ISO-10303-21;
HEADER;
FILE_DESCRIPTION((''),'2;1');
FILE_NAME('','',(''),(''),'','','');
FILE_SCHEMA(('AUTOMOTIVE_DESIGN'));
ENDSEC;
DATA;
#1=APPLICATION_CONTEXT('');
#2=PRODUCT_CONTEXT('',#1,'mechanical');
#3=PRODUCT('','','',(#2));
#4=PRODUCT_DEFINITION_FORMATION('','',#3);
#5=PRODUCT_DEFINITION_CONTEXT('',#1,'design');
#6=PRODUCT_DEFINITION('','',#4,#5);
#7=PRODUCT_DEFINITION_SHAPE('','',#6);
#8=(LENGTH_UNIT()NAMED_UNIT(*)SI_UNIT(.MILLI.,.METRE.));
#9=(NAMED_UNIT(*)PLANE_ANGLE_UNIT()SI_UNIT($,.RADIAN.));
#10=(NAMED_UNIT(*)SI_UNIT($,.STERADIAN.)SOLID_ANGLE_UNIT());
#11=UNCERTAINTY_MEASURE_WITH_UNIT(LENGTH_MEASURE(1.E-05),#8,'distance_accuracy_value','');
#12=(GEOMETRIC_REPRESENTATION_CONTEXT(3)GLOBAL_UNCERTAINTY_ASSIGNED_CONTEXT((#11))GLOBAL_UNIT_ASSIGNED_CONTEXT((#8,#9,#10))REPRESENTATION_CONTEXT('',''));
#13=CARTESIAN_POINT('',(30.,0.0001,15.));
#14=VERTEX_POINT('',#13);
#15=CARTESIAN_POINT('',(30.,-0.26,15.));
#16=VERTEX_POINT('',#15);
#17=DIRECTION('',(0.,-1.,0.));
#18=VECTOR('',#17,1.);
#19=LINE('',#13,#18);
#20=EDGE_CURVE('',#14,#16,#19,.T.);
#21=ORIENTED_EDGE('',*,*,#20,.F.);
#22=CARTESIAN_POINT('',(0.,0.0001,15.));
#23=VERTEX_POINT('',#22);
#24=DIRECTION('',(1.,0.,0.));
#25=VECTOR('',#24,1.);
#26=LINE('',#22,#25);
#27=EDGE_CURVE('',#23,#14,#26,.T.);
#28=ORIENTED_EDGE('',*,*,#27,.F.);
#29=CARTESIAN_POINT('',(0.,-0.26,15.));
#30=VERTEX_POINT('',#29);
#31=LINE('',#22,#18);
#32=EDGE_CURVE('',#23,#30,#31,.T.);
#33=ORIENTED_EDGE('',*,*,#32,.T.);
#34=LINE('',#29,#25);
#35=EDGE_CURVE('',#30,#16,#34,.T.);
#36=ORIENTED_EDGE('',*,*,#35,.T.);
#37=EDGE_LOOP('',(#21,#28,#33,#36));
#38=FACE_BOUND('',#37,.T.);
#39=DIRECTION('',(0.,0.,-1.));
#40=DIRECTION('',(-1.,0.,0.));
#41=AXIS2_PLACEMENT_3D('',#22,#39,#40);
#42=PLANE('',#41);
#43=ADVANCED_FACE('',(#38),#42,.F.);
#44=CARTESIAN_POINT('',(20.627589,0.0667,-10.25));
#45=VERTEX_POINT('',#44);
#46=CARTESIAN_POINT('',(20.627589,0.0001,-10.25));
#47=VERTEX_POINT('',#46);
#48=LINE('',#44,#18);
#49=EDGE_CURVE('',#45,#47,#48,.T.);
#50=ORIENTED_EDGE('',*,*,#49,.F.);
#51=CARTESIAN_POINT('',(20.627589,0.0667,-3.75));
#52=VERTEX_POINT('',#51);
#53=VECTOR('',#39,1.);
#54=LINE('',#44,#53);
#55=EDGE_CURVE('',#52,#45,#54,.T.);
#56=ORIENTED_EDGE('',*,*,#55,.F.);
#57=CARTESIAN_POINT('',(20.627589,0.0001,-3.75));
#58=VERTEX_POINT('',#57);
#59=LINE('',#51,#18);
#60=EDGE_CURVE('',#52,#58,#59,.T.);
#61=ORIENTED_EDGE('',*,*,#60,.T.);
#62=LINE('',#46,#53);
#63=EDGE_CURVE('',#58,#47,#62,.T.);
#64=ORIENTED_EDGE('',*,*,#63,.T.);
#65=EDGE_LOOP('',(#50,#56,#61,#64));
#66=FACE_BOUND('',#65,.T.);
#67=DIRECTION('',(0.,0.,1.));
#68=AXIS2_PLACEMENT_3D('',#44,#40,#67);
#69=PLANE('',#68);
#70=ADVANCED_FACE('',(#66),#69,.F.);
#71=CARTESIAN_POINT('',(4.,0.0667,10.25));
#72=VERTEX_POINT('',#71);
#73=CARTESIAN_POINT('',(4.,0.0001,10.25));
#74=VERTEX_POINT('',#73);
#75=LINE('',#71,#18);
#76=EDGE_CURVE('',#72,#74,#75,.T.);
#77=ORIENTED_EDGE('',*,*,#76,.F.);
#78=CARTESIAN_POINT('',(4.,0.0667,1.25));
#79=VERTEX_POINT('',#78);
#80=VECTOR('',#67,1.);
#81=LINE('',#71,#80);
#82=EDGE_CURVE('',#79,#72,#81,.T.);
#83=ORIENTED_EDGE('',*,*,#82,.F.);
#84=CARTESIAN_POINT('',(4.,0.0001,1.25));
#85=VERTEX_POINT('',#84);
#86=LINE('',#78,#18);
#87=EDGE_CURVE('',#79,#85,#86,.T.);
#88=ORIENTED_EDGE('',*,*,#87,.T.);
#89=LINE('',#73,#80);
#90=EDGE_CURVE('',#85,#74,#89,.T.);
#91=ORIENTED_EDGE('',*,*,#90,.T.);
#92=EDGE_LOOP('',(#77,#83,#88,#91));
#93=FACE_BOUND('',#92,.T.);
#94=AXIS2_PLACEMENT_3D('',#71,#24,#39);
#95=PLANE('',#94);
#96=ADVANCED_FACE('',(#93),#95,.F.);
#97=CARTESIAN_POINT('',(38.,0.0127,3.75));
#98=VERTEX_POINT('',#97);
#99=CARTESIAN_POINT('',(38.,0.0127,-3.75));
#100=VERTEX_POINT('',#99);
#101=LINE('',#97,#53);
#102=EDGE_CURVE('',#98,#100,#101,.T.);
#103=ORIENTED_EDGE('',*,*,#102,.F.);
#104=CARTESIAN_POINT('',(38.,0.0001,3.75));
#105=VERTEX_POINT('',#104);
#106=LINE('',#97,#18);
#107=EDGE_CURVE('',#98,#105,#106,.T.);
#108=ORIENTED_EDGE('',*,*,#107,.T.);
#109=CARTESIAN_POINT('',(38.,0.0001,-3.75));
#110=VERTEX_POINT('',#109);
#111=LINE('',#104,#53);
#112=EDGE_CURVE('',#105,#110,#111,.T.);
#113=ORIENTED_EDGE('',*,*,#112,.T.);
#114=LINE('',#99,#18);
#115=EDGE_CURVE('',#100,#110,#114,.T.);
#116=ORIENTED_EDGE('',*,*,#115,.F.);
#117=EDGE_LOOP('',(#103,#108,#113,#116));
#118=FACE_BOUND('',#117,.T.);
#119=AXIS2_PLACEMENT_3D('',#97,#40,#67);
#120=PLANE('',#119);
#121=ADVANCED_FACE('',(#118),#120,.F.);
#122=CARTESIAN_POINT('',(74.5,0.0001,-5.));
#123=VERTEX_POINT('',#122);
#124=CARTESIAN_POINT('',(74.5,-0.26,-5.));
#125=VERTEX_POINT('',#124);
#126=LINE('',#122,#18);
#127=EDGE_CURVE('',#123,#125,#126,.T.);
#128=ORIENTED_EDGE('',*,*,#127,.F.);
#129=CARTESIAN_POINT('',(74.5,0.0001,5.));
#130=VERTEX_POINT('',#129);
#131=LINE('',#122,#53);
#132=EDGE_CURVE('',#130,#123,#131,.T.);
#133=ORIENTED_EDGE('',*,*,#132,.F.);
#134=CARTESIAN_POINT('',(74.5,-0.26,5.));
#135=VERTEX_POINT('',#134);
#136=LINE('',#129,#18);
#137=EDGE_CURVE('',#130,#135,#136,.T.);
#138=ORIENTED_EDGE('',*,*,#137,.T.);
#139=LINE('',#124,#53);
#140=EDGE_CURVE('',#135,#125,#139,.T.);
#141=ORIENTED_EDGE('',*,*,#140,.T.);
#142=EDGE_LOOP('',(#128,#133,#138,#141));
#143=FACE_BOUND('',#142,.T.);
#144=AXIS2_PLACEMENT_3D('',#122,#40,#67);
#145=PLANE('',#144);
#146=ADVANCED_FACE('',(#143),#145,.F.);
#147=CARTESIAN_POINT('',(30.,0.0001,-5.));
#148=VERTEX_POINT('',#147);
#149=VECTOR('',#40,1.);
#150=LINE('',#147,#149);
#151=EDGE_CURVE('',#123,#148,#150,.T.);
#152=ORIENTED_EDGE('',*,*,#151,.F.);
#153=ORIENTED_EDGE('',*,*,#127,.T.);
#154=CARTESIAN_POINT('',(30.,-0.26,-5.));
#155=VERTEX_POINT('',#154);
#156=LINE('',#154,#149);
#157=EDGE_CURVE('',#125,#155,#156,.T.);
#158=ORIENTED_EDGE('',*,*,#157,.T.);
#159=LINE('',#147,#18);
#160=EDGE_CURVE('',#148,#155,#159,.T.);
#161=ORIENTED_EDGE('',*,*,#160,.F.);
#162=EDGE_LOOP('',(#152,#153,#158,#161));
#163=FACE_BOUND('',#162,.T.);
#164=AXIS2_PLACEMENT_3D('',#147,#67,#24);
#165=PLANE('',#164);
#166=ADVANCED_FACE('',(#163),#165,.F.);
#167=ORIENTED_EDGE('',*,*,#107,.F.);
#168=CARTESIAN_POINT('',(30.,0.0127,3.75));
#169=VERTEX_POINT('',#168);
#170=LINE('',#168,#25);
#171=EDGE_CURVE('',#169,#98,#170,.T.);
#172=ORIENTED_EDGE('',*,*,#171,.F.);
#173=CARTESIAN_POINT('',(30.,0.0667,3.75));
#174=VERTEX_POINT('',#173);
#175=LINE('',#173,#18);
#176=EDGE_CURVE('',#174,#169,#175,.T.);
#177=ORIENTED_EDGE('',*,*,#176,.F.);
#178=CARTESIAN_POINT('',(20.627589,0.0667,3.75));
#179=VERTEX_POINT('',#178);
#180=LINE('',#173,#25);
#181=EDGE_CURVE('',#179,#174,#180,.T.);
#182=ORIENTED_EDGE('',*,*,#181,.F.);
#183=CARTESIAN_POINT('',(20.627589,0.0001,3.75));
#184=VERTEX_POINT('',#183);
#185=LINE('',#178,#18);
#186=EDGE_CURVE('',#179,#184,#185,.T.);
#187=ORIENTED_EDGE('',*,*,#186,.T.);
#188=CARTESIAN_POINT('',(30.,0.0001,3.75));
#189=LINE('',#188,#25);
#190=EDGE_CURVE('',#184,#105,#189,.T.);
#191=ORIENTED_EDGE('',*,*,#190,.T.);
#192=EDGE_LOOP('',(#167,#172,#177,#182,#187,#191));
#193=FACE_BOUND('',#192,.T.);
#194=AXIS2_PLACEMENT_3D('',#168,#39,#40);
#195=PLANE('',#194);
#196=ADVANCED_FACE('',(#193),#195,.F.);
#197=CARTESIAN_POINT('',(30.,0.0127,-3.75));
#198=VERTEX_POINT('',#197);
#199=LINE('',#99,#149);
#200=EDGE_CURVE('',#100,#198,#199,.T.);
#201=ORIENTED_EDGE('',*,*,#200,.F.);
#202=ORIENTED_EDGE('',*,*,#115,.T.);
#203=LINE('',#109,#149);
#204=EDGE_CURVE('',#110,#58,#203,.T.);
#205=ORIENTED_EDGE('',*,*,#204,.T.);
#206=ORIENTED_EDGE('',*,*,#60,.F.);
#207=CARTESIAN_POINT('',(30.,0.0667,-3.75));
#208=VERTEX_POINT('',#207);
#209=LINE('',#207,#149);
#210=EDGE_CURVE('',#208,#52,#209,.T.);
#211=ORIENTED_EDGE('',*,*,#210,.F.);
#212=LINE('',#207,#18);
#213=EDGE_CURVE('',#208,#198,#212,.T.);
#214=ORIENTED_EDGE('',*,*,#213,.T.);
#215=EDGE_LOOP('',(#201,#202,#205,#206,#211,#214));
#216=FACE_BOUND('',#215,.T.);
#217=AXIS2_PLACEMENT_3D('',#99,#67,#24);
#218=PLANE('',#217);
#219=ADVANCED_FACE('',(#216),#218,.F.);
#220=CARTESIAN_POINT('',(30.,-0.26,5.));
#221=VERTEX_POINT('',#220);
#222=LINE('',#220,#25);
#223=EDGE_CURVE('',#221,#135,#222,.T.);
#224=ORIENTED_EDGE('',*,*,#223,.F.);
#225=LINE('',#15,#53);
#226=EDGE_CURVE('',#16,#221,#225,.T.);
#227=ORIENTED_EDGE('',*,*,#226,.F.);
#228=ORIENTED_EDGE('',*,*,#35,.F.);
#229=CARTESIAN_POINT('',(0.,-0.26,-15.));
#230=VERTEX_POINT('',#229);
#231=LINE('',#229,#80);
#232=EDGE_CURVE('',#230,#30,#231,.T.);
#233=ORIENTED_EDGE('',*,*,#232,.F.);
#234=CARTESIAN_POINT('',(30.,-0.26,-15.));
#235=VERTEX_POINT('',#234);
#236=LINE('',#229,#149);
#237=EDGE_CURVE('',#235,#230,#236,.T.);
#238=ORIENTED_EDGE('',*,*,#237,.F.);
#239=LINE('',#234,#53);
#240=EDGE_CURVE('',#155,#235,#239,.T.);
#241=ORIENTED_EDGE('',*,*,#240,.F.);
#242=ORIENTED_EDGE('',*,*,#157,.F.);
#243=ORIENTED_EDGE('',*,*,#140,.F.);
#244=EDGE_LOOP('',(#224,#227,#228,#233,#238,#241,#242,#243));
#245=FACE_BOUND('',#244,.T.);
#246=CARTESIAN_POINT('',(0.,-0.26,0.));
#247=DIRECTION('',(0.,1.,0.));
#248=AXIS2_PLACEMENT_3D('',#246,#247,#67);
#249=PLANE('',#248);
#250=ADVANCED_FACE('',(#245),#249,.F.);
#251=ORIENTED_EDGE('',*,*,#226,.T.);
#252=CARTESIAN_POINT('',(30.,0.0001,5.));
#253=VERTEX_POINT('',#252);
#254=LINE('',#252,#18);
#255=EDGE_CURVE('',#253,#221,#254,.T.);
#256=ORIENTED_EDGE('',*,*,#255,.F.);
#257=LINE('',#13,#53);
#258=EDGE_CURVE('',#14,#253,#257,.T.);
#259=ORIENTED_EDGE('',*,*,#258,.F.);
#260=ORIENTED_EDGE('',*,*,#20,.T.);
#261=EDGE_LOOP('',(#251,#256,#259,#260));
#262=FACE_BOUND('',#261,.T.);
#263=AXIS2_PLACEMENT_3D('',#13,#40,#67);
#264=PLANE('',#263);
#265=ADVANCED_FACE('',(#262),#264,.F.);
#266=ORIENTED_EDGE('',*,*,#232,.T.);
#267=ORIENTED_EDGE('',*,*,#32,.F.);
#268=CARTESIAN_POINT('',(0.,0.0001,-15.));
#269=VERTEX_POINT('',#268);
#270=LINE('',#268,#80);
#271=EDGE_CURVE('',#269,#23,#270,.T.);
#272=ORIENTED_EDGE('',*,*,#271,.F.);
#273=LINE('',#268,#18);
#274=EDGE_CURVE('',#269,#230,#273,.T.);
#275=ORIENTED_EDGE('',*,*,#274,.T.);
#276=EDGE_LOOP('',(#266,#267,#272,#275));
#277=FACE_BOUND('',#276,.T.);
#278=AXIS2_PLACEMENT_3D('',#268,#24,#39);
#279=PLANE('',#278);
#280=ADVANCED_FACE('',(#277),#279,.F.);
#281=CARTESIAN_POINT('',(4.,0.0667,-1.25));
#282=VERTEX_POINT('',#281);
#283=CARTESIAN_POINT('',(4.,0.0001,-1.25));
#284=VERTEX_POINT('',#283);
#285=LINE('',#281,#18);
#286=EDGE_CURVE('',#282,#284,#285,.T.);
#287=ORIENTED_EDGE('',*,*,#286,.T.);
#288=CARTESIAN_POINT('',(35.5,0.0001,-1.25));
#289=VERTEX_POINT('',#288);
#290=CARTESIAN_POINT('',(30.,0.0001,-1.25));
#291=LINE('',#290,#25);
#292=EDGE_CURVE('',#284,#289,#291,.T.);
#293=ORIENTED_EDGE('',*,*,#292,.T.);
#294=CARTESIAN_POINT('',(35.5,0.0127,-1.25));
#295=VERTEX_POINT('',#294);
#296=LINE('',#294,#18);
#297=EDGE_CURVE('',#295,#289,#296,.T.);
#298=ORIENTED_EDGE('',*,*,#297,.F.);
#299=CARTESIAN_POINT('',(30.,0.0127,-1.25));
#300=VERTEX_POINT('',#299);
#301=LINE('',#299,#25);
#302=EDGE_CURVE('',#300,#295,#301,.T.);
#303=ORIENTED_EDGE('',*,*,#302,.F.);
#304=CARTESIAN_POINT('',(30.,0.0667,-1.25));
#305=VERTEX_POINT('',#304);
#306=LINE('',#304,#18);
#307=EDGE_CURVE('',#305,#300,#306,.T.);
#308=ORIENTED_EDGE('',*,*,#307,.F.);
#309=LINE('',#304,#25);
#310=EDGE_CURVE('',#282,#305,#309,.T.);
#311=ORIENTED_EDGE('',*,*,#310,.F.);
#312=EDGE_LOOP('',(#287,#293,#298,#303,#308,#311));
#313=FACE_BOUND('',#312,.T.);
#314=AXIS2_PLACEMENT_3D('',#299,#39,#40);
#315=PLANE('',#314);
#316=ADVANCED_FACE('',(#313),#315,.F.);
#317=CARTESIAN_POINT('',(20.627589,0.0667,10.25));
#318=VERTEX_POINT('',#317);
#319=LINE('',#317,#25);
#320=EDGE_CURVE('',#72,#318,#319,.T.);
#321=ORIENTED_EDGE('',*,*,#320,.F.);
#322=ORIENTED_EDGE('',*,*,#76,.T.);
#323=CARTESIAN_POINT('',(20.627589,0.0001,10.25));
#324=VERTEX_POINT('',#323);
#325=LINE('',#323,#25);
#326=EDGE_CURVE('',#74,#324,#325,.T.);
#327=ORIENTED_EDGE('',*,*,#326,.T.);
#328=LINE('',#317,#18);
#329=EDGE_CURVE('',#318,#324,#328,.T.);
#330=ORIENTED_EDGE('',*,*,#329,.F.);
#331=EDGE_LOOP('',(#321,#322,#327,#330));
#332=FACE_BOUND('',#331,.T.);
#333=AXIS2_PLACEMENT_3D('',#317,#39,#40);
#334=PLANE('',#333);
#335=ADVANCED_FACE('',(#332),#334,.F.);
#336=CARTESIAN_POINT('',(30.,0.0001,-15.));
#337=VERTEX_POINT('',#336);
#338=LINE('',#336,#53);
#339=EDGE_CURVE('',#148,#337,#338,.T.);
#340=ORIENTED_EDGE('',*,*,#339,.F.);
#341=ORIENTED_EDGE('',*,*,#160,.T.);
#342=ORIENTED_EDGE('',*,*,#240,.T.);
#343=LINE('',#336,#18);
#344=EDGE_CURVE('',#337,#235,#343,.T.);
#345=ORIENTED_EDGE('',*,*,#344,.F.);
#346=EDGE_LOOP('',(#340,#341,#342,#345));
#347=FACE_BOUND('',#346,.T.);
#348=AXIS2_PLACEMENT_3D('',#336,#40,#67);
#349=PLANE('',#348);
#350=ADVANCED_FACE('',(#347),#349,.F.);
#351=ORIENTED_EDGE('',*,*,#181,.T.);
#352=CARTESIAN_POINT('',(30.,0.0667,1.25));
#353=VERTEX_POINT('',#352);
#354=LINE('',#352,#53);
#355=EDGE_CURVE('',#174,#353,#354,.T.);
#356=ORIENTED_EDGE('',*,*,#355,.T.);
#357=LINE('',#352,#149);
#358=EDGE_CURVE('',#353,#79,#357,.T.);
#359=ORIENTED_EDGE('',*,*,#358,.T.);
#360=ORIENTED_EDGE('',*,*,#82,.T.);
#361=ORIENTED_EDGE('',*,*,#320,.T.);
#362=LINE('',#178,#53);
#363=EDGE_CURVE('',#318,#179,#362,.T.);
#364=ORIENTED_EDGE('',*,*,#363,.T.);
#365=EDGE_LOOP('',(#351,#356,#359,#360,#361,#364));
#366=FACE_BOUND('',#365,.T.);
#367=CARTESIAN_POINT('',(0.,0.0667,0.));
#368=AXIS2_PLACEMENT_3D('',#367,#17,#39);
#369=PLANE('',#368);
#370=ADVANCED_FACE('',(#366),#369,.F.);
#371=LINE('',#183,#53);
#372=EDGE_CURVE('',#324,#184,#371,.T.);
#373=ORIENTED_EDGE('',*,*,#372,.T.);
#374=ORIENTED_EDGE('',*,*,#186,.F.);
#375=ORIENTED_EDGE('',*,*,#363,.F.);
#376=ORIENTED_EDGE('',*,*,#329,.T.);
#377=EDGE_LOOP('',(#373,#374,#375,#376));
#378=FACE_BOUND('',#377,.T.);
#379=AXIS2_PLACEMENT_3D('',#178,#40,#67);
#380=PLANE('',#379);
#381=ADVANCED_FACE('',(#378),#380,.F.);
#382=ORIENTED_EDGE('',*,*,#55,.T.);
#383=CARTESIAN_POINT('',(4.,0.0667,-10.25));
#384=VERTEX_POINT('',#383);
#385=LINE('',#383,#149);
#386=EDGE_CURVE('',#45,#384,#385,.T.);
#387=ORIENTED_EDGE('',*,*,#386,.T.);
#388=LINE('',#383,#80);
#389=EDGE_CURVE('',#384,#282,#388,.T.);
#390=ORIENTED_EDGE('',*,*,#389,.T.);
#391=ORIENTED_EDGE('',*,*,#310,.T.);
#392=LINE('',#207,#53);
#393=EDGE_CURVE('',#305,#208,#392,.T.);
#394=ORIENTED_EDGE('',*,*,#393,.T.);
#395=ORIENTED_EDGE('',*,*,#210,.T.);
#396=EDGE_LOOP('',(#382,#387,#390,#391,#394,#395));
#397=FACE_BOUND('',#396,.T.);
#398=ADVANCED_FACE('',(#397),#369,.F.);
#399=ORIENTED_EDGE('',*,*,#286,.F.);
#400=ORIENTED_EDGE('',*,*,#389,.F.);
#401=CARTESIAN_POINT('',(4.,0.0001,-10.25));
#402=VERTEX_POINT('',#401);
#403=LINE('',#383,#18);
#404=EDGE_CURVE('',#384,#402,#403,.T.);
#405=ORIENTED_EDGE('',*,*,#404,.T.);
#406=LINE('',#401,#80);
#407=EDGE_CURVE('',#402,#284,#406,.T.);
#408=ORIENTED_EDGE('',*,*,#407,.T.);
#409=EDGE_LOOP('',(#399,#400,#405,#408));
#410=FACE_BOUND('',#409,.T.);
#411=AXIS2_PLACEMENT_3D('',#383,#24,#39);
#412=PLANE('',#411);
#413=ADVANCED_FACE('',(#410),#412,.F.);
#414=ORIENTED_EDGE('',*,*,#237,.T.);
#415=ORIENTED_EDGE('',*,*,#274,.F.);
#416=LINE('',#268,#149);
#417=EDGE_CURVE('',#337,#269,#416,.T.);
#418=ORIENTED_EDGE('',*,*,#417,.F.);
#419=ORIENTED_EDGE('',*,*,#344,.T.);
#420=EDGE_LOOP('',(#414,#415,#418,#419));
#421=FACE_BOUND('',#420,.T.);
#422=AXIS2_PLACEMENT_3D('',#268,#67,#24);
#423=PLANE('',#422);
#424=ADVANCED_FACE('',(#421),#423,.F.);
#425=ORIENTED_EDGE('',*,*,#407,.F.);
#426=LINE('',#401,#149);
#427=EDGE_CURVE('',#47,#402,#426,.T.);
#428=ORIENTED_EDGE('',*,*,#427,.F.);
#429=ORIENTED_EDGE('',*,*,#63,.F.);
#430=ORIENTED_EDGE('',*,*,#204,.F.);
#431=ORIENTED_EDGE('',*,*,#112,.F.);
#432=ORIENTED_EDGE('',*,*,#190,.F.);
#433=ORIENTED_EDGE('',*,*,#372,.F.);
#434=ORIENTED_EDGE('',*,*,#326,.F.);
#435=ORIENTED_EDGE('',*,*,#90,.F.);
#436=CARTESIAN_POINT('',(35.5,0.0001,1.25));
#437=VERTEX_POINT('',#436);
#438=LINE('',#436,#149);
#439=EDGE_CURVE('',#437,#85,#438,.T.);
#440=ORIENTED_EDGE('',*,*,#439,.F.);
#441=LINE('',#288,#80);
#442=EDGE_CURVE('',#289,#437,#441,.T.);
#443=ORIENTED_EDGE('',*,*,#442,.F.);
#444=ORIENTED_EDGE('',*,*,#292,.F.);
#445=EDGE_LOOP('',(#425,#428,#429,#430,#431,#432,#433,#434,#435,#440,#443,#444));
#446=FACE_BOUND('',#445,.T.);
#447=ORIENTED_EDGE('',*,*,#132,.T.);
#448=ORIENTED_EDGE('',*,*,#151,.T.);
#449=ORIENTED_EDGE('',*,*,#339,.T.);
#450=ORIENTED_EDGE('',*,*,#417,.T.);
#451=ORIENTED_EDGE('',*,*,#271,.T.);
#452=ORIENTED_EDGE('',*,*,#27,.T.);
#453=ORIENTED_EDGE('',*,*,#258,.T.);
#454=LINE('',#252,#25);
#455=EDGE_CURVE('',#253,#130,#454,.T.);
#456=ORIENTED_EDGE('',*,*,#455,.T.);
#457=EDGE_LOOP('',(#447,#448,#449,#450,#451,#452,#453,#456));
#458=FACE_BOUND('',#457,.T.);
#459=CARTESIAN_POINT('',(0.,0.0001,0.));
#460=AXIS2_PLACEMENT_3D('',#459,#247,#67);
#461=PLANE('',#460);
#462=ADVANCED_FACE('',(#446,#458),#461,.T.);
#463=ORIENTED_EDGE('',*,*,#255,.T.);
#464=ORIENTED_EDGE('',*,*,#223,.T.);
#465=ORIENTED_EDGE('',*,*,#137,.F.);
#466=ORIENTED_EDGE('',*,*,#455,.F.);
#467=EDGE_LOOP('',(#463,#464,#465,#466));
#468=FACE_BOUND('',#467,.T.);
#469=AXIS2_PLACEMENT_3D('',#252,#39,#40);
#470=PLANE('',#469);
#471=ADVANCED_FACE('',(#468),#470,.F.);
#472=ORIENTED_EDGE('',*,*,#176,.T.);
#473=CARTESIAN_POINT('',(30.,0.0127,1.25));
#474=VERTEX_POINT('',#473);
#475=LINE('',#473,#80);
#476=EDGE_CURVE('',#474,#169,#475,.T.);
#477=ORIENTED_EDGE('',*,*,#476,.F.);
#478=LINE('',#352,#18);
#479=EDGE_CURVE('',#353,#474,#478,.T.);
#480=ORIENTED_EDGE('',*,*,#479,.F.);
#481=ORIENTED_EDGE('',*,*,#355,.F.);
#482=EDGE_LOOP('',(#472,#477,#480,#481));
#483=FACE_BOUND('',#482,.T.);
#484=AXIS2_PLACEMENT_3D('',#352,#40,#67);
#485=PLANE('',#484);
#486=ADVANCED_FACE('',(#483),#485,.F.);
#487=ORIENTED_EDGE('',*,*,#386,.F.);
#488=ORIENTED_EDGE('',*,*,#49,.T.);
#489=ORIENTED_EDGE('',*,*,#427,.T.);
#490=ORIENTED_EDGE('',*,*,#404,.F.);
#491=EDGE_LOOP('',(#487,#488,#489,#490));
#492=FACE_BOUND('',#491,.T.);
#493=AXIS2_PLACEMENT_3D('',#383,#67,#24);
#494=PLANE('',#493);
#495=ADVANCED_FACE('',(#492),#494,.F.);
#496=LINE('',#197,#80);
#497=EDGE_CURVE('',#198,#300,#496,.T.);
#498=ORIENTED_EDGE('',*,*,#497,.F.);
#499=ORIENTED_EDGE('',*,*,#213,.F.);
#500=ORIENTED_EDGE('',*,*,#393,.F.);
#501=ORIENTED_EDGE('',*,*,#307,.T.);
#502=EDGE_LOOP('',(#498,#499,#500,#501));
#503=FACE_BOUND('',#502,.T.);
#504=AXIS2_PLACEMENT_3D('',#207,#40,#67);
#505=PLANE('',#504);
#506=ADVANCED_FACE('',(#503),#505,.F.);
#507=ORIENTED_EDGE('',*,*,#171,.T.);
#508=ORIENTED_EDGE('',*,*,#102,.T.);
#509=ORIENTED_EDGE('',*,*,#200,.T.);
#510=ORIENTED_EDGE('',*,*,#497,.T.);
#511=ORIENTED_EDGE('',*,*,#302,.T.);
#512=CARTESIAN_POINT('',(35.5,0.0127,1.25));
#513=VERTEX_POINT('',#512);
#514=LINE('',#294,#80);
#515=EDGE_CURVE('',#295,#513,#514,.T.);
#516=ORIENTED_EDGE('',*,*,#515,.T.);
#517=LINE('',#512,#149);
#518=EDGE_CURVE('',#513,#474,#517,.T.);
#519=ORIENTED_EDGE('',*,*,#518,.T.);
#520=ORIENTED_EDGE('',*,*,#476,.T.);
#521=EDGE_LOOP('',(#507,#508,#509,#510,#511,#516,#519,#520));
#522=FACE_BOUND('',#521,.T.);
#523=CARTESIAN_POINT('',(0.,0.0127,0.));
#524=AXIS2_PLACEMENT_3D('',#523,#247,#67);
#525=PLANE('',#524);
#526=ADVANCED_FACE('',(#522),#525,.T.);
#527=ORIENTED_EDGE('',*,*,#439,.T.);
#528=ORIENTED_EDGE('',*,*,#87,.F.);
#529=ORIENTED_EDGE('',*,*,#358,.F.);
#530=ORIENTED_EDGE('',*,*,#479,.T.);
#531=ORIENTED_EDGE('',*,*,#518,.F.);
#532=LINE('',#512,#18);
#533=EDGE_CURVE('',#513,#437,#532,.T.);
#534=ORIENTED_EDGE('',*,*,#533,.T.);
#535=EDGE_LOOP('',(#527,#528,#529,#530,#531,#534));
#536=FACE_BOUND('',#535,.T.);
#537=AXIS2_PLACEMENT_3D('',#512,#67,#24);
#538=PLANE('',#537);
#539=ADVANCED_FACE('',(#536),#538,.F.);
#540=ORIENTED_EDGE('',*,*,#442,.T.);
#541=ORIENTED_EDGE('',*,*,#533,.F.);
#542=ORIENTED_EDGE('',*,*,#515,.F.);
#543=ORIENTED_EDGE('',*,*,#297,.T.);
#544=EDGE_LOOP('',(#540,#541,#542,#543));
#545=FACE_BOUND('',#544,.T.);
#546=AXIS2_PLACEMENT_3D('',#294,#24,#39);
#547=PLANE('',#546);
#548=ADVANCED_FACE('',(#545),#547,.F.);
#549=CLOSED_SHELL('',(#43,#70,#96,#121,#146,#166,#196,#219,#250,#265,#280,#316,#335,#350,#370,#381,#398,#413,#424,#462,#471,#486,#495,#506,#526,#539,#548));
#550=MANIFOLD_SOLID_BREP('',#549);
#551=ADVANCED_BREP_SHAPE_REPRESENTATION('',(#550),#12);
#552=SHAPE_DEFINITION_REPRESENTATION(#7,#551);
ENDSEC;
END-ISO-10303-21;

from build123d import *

# Parameters (mm, degrees)
BOSS_EXTRUDE1_DEPTH      = 0.0001
BOSS_EXTRUDE1_DEPTH_BACK = 0.26
BOSS_EXTRUDE2_DEPTH      = 0.0126
BOSS_EXTRUDE3_DEPTH      = 0.0666


with BuildPart() as part:
    # Sketch1 → Boss-Extrude1 (new, two sides: drawn at the far end of the back side and taken through both)
    with BuildSketch(Plane(origin=(0, 0, 0), x_dir=(1, 0, 0), z_dir=(0, 1, 0)).offset(-BOSS_EXTRUDE1_DEPTH_BACK)):
        Polygon((0, -15), (30, -15), (30, -5), (74.5, -5), (74.5, 5), (30, 5), (30, 15), (0, 15), align=None)
    extrude(amount=BOSS_EXTRUDE1_DEPTH + BOSS_EXTRUDE1_DEPTH_BACK)

    # Sketch3 → Boss-Extrude2 (add)
    with BuildSketch(Plane(origin=(0, 0.0001, 0), x_dir=(1, 0, 0), z_dir=(0, 1, 0))):
        Polygon((30, 3.75), (30, 1.25), (35.5, 1.25), (35.5, -1.25), (30, -1.25), (30, -3.75), (38, -3.75), (38, 3.75), align=None)
    extrude(amount=BOSS_EXTRUDE2_DEPTH)

    # Sketch4 → Boss-Extrude3 (add)
    with BuildSketch(Plane(origin=(0, 0.0001, 0), x_dir=(1, 0, 0), z_dir=(0, 1, 0))):
        Polygon((4, 10.25), (4, 1.25), (30, 1.25), (30, 3.75), (20.627589053, 3.75), (20.627589053, 10.25), align=None)
        Polygon((30, -1.25), (4, -1.25), (4, -10.25), (20.627589053, -10.25), (20.627589053, -3.75), (30, -3.75), align=None)
    extrude(amount=BOSS_EXTRUDE3_DEPTH)


solid = part.part
